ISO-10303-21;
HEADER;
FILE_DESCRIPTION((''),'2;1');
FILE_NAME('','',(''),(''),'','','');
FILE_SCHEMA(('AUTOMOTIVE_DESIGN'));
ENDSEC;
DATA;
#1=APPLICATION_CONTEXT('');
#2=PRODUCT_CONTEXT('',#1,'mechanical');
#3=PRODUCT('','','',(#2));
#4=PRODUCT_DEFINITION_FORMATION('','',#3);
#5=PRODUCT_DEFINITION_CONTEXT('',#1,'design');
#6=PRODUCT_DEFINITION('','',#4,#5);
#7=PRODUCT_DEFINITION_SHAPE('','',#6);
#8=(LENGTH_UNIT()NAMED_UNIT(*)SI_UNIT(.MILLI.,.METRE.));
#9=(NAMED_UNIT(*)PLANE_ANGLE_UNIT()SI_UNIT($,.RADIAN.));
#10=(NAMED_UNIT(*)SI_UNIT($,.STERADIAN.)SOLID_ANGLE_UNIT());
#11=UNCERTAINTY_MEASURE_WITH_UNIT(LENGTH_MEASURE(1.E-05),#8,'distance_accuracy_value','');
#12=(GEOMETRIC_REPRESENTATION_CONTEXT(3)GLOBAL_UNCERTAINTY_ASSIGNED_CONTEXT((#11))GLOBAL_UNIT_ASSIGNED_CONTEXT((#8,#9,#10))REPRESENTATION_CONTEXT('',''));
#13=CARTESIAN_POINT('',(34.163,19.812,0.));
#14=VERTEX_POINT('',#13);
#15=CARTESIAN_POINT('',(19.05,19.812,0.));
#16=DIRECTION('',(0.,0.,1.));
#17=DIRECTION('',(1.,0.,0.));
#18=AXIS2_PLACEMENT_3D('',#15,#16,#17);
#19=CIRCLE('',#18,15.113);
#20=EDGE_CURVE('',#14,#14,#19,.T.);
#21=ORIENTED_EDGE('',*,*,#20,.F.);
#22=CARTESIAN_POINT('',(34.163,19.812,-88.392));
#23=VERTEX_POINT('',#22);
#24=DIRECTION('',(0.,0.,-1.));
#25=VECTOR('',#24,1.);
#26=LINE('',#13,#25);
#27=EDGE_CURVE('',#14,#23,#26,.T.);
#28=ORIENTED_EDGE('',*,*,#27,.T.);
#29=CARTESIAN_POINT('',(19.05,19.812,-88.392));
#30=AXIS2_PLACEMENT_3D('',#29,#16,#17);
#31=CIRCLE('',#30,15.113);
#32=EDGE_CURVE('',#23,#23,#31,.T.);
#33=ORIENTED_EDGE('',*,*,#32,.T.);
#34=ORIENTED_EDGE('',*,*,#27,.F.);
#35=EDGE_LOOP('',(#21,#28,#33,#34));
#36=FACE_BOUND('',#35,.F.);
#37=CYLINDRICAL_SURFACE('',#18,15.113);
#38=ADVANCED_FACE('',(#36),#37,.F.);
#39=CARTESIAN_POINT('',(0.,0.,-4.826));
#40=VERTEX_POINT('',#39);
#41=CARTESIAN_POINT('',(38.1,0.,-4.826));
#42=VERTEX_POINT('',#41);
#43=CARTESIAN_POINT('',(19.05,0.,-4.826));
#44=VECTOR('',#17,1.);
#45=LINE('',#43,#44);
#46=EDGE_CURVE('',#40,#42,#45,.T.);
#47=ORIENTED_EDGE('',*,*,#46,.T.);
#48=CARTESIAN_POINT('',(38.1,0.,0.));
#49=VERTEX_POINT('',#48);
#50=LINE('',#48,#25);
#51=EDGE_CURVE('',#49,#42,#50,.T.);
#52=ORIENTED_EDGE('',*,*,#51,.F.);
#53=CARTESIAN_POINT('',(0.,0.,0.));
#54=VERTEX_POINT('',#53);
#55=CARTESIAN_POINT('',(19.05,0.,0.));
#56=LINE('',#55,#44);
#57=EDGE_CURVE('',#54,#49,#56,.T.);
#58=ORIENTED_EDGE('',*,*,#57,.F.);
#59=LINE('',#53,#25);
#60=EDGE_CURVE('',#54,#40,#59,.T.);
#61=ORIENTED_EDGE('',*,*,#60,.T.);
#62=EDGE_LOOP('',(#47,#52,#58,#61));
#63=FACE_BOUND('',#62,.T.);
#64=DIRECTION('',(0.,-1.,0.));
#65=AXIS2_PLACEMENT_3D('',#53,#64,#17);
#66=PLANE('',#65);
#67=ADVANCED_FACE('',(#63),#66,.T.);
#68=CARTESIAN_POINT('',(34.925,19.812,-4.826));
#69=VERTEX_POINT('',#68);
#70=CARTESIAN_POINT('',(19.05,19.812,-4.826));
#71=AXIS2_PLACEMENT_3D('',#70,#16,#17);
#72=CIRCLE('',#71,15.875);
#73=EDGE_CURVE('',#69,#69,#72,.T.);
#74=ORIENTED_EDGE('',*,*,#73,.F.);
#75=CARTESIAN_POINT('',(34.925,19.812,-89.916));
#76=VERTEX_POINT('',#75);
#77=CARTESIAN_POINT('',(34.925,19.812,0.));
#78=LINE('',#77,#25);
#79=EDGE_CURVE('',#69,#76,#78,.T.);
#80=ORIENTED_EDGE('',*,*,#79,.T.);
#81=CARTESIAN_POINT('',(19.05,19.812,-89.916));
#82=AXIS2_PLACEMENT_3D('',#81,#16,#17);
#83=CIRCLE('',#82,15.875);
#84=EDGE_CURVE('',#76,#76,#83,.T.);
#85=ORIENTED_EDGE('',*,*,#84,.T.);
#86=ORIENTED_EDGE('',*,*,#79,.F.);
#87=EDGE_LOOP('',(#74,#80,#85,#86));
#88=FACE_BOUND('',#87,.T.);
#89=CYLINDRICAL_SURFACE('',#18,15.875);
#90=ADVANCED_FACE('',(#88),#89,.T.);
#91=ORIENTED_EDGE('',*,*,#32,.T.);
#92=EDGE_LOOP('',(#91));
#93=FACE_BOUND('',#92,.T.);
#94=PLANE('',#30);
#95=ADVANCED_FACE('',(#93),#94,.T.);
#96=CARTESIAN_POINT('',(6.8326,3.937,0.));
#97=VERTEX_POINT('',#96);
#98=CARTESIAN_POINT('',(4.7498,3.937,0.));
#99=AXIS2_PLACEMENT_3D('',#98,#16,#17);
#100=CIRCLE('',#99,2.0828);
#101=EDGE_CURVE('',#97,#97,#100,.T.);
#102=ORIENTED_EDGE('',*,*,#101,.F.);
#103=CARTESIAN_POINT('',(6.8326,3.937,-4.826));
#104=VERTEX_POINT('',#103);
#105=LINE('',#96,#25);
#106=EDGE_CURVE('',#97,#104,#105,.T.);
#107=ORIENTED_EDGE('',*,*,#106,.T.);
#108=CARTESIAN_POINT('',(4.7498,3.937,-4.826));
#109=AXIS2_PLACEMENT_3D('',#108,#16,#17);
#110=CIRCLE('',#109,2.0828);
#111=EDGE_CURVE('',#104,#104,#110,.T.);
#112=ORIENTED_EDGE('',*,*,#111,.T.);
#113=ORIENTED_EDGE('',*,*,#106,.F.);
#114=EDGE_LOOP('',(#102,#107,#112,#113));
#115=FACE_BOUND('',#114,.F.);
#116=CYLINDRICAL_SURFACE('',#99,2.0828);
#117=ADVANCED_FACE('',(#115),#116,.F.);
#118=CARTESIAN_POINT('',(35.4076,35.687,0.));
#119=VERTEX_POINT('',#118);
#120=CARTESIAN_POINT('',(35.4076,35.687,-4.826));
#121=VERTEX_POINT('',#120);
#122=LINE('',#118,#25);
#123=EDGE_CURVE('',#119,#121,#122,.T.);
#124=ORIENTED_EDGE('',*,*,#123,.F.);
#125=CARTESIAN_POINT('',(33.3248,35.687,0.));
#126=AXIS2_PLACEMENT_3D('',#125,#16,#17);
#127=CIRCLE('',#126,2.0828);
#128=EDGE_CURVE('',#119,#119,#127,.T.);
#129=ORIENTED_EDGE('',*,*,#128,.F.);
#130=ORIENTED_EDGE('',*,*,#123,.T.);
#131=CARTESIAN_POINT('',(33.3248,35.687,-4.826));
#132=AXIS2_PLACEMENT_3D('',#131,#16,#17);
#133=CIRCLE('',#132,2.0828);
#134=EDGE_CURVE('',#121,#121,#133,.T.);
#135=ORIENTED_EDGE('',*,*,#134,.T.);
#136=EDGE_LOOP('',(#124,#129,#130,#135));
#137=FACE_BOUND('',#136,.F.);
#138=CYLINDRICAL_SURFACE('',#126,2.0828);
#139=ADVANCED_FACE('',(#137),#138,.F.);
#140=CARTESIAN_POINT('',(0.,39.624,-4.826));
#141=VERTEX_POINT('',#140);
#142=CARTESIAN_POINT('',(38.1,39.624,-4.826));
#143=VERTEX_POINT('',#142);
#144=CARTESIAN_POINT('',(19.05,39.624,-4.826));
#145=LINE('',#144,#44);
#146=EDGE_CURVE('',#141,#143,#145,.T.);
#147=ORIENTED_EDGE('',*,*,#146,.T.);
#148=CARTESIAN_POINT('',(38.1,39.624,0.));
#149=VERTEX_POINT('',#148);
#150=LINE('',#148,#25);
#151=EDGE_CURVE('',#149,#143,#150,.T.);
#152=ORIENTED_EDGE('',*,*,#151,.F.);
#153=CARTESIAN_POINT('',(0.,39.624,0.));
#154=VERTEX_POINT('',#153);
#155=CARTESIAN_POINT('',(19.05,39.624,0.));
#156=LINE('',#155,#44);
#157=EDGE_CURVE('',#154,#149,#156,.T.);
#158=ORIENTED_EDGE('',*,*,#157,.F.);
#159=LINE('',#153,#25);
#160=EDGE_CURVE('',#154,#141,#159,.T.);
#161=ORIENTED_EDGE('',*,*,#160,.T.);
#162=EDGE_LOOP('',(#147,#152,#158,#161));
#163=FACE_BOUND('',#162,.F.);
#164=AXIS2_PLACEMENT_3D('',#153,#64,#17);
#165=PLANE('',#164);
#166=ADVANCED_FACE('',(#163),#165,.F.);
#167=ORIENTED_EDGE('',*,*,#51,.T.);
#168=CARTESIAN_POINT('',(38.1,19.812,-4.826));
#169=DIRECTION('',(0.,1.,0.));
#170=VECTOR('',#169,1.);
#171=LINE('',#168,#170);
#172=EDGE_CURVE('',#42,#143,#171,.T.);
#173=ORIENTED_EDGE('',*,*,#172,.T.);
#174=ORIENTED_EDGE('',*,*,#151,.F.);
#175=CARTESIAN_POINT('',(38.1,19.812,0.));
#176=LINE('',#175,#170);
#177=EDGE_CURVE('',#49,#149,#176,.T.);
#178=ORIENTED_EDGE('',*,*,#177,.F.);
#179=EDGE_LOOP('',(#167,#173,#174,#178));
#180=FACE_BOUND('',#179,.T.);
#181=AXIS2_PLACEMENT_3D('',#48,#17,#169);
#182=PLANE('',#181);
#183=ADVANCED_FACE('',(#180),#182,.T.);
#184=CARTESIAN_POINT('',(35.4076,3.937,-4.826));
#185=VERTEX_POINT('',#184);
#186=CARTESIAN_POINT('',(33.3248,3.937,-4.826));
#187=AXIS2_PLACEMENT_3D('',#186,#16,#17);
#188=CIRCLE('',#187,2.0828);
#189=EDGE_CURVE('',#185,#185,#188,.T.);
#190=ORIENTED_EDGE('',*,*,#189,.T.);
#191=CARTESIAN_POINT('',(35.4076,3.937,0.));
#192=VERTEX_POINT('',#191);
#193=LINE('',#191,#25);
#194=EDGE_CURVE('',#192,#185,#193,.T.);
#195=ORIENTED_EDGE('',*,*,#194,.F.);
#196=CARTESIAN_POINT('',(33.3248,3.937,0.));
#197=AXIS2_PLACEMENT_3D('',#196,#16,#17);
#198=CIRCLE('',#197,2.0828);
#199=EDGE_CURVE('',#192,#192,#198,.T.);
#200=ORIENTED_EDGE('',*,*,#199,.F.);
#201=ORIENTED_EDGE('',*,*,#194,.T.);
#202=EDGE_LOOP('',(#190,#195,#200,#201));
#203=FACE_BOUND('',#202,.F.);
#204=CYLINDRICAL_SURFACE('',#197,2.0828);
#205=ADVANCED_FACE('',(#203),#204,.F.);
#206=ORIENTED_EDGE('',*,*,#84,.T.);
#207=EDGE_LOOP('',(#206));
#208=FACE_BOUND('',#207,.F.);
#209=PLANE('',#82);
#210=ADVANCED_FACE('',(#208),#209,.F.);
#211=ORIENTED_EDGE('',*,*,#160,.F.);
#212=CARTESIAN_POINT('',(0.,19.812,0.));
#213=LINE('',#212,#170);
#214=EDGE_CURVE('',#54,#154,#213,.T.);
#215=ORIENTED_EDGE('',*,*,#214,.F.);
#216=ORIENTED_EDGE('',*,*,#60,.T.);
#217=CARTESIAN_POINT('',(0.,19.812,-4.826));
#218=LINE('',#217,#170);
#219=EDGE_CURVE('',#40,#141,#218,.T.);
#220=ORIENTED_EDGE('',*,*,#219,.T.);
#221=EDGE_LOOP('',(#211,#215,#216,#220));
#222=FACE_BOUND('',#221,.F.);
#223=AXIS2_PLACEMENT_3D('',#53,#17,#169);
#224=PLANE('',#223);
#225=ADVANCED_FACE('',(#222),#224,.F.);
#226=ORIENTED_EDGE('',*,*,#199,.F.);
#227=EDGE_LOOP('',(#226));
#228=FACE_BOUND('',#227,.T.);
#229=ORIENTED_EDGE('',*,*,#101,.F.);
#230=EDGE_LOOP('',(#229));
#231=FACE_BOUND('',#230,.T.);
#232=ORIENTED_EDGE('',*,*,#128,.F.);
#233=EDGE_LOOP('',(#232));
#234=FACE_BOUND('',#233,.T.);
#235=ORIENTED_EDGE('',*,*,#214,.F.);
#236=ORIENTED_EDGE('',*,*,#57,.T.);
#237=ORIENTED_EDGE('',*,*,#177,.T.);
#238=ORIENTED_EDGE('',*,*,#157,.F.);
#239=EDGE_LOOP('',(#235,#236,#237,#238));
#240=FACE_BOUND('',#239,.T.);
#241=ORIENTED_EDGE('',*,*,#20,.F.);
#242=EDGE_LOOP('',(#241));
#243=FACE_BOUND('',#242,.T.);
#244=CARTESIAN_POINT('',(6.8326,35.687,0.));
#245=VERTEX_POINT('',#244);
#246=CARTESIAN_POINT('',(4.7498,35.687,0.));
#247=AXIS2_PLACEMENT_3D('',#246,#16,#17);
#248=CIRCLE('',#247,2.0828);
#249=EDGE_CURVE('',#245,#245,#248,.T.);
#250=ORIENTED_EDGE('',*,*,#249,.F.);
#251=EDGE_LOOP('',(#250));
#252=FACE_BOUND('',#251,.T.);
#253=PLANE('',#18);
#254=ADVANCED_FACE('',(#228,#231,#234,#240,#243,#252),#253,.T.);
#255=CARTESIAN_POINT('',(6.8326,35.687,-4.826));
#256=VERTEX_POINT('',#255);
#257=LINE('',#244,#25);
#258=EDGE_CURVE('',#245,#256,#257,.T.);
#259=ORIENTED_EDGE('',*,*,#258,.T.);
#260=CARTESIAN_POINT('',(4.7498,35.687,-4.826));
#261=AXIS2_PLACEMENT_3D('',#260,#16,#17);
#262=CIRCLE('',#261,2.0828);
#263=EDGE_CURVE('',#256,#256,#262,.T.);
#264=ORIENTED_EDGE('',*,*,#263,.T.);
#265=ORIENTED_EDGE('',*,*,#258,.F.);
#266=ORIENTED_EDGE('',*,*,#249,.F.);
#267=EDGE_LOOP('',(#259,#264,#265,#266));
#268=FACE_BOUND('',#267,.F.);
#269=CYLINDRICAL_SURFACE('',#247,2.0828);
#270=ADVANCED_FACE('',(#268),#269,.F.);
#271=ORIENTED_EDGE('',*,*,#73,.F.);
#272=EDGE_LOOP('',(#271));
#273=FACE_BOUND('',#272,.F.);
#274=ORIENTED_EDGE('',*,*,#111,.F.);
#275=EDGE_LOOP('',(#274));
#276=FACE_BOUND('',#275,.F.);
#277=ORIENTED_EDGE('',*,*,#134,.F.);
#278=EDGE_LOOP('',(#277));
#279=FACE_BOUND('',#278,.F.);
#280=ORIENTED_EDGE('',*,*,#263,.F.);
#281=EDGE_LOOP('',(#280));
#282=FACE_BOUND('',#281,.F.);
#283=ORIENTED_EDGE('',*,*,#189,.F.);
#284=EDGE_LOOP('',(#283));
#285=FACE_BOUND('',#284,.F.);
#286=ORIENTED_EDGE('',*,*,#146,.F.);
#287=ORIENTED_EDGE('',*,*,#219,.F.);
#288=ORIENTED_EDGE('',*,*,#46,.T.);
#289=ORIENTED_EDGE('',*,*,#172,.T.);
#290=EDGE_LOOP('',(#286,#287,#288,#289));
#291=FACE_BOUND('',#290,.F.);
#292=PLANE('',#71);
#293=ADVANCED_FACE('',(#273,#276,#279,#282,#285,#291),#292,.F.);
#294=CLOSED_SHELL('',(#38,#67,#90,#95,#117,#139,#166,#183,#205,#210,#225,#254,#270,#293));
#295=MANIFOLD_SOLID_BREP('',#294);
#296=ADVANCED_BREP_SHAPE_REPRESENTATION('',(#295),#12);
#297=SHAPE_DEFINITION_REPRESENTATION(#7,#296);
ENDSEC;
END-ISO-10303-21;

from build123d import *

# Parameters (mm, degrees)
F0_W     = 38.1
F0_H     = 39.624
F1_DEPTH = 4.826
F2_R     = 15.875
F3_DEPTH = 89.916
F4_R     = 15.113
F5_DEPTH = 88.392
F6_R     = 2.0828
F7_DEPTH = 89.917


with BuildPart() as f1:
    # F0 (on Top) → F1 (new body)
    with BuildSketch(Plane.XY):
        with Locations((19.05, 19.812)):
            Rectangle(F0_W, F0_H)
    extrude(amount=-F1_DEPTH)

    # F2 (on face) → F3 (join)
    with BuildSketch(Plane.XY):
        with Locations((19.05, 19.812)):
            Circle(F2_R)
    extrude(amount=-F3_DEPTH)

    # F4 (on face) → F5 (cut)
    with BuildSketch(Plane.XY):
        with Locations((19.05, 19.812)):
            Circle(F4_R)
    extrude(amount=-F5_DEPTH, mode=Mode.SUBTRACT)

    # F6 (on Top) → F7 (cut, through all)
    with BuildSketch(Plane.XY):
        with Locations((33.3248, 35.687)):
            Circle(F6_R)
        with Locations((33.3248, 3.937)):
            Circle(F6_R)
        with Locations((4.7498, 35.687)):
            Circle(F6_R)
        with Locations((4.7498, 3.937)):
            Circle(F6_R)
    extrude(amount=-F7_DEPTH, mode=Mode.SUBTRACT)


solid = f1.part
